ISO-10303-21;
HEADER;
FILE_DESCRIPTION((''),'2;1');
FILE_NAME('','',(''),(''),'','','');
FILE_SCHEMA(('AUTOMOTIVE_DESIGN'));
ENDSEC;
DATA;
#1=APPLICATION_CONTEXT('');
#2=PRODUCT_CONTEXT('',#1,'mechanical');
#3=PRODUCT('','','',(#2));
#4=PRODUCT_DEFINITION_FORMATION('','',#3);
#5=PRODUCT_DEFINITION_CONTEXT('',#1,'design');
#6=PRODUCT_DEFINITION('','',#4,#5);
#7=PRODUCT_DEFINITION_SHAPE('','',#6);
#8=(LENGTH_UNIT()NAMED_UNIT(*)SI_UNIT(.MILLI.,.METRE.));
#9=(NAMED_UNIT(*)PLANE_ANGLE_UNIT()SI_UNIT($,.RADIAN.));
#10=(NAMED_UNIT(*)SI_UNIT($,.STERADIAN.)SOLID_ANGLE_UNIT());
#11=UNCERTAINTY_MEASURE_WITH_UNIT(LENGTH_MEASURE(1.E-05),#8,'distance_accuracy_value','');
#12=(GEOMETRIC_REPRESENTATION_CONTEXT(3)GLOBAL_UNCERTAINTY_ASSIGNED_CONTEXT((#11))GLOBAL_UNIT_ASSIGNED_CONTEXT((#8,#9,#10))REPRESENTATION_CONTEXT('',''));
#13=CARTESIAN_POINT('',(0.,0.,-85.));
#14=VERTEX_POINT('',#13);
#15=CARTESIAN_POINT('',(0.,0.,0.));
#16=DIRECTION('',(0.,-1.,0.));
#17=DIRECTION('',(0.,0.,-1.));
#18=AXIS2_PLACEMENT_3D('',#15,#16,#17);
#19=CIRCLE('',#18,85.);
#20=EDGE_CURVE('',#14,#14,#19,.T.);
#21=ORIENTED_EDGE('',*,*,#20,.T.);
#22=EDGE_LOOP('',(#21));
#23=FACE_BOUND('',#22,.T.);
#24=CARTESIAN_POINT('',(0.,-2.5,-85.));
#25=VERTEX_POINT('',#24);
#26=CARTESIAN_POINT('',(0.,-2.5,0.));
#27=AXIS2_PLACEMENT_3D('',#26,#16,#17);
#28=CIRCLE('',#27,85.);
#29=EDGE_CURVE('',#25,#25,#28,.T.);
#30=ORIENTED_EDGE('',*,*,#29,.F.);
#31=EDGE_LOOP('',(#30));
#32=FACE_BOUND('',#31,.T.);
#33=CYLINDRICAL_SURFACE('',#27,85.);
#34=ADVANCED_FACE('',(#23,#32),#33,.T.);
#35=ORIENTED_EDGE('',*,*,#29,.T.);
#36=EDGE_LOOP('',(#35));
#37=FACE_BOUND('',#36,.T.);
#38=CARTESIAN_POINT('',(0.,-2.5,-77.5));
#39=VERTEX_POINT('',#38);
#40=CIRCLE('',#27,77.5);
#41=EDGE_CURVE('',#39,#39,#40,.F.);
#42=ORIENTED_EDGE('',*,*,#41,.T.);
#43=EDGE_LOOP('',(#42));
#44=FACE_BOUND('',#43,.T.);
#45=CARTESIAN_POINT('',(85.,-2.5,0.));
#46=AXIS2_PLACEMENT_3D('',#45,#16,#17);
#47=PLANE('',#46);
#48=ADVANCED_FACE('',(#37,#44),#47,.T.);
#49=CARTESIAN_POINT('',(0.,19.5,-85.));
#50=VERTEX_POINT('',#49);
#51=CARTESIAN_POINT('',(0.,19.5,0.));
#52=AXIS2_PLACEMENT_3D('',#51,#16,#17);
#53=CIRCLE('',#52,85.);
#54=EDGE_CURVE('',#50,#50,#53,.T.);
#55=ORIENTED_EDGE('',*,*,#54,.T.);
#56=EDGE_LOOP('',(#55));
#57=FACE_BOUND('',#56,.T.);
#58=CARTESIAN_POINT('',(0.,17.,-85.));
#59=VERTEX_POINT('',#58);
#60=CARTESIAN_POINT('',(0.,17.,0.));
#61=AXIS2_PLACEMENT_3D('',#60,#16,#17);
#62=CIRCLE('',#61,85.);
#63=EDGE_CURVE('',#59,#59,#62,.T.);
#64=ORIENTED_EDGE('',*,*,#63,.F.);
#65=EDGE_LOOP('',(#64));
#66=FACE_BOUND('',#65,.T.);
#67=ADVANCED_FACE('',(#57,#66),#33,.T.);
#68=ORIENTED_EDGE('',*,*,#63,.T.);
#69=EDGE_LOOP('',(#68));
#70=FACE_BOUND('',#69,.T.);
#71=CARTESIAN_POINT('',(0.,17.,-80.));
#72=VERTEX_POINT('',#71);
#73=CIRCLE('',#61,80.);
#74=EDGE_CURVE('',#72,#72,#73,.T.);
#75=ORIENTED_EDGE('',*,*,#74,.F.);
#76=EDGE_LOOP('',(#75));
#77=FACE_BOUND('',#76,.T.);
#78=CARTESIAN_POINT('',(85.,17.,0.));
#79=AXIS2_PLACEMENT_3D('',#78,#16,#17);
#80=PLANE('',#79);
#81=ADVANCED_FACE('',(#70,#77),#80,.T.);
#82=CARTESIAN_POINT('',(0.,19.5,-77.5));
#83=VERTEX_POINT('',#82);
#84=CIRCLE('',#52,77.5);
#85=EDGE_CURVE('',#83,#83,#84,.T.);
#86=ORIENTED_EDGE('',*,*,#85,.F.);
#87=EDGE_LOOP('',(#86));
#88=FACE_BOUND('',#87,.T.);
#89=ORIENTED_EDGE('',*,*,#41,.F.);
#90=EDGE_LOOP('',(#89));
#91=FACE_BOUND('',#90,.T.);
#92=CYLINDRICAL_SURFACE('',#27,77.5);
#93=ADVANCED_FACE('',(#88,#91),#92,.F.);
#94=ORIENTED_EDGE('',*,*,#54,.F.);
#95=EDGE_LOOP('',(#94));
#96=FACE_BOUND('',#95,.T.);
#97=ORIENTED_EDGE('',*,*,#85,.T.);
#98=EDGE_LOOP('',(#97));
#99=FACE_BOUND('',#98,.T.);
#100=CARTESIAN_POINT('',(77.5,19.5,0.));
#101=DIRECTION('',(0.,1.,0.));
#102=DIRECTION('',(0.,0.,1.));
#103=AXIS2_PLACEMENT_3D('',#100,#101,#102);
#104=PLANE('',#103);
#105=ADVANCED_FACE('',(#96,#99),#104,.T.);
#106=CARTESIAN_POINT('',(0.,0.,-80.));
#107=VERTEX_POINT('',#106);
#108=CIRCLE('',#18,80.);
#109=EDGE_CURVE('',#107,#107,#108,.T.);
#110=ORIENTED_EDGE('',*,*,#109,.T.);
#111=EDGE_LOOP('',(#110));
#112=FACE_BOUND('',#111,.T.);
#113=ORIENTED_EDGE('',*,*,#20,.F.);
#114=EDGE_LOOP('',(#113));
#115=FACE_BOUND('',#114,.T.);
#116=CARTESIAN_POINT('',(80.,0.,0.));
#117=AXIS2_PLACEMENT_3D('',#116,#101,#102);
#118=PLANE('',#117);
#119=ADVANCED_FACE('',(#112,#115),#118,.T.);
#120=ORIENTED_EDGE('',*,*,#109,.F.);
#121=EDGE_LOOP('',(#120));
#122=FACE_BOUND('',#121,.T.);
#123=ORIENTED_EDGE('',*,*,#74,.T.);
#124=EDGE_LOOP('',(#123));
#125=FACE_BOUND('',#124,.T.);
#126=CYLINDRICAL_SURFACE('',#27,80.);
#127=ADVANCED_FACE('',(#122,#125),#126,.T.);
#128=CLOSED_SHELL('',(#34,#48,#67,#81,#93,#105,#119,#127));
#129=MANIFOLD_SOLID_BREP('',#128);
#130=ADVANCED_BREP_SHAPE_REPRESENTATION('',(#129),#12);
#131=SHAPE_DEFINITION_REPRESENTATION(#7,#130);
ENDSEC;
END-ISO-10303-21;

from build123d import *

# Parameters (mm, degrees)
CUT_EXTRUDE1_REACH = 4.5
SKETCH2_R          = 77.5


with BuildPart() as part:
    # Sketch1 → Revolve1 (revolve)
    with BuildSketch(Plane.XY):
        Polygon((0, 0), (77.5, 0), (77.5, 19.5), (85, 19.5), (85, 17), (80, 17), (80, 0), (85, 0), (85, -2.5), (0, -2.5), align=None)
    revolve(axis=Axis((0, -2.5, 0), (0, 1, 0)))

    # Sketch2 → Cut-Extrude1 (cut, up to next)
    with BuildSketch(Plane(origin=(0, 0, 0), x_dir=(1, 0, 0), z_dir=(0, 1, 0)), mode=Mode.PRIVATE) as cut_extrude1_sk1:
        Circle(SKETCH2_R)
    cut_extrude1_tool1 = extrude(cut_extrude1_sk1.sketch, amount=-CUT_EXTRUDE1_REACH, mode=Mode.PRIVATE) & part.part
    add(cut_extrude1_tool1.solids().sort_by_distance((0, 0, 0))[0], mode=Mode.SUBTRACT)


solid = part.part
